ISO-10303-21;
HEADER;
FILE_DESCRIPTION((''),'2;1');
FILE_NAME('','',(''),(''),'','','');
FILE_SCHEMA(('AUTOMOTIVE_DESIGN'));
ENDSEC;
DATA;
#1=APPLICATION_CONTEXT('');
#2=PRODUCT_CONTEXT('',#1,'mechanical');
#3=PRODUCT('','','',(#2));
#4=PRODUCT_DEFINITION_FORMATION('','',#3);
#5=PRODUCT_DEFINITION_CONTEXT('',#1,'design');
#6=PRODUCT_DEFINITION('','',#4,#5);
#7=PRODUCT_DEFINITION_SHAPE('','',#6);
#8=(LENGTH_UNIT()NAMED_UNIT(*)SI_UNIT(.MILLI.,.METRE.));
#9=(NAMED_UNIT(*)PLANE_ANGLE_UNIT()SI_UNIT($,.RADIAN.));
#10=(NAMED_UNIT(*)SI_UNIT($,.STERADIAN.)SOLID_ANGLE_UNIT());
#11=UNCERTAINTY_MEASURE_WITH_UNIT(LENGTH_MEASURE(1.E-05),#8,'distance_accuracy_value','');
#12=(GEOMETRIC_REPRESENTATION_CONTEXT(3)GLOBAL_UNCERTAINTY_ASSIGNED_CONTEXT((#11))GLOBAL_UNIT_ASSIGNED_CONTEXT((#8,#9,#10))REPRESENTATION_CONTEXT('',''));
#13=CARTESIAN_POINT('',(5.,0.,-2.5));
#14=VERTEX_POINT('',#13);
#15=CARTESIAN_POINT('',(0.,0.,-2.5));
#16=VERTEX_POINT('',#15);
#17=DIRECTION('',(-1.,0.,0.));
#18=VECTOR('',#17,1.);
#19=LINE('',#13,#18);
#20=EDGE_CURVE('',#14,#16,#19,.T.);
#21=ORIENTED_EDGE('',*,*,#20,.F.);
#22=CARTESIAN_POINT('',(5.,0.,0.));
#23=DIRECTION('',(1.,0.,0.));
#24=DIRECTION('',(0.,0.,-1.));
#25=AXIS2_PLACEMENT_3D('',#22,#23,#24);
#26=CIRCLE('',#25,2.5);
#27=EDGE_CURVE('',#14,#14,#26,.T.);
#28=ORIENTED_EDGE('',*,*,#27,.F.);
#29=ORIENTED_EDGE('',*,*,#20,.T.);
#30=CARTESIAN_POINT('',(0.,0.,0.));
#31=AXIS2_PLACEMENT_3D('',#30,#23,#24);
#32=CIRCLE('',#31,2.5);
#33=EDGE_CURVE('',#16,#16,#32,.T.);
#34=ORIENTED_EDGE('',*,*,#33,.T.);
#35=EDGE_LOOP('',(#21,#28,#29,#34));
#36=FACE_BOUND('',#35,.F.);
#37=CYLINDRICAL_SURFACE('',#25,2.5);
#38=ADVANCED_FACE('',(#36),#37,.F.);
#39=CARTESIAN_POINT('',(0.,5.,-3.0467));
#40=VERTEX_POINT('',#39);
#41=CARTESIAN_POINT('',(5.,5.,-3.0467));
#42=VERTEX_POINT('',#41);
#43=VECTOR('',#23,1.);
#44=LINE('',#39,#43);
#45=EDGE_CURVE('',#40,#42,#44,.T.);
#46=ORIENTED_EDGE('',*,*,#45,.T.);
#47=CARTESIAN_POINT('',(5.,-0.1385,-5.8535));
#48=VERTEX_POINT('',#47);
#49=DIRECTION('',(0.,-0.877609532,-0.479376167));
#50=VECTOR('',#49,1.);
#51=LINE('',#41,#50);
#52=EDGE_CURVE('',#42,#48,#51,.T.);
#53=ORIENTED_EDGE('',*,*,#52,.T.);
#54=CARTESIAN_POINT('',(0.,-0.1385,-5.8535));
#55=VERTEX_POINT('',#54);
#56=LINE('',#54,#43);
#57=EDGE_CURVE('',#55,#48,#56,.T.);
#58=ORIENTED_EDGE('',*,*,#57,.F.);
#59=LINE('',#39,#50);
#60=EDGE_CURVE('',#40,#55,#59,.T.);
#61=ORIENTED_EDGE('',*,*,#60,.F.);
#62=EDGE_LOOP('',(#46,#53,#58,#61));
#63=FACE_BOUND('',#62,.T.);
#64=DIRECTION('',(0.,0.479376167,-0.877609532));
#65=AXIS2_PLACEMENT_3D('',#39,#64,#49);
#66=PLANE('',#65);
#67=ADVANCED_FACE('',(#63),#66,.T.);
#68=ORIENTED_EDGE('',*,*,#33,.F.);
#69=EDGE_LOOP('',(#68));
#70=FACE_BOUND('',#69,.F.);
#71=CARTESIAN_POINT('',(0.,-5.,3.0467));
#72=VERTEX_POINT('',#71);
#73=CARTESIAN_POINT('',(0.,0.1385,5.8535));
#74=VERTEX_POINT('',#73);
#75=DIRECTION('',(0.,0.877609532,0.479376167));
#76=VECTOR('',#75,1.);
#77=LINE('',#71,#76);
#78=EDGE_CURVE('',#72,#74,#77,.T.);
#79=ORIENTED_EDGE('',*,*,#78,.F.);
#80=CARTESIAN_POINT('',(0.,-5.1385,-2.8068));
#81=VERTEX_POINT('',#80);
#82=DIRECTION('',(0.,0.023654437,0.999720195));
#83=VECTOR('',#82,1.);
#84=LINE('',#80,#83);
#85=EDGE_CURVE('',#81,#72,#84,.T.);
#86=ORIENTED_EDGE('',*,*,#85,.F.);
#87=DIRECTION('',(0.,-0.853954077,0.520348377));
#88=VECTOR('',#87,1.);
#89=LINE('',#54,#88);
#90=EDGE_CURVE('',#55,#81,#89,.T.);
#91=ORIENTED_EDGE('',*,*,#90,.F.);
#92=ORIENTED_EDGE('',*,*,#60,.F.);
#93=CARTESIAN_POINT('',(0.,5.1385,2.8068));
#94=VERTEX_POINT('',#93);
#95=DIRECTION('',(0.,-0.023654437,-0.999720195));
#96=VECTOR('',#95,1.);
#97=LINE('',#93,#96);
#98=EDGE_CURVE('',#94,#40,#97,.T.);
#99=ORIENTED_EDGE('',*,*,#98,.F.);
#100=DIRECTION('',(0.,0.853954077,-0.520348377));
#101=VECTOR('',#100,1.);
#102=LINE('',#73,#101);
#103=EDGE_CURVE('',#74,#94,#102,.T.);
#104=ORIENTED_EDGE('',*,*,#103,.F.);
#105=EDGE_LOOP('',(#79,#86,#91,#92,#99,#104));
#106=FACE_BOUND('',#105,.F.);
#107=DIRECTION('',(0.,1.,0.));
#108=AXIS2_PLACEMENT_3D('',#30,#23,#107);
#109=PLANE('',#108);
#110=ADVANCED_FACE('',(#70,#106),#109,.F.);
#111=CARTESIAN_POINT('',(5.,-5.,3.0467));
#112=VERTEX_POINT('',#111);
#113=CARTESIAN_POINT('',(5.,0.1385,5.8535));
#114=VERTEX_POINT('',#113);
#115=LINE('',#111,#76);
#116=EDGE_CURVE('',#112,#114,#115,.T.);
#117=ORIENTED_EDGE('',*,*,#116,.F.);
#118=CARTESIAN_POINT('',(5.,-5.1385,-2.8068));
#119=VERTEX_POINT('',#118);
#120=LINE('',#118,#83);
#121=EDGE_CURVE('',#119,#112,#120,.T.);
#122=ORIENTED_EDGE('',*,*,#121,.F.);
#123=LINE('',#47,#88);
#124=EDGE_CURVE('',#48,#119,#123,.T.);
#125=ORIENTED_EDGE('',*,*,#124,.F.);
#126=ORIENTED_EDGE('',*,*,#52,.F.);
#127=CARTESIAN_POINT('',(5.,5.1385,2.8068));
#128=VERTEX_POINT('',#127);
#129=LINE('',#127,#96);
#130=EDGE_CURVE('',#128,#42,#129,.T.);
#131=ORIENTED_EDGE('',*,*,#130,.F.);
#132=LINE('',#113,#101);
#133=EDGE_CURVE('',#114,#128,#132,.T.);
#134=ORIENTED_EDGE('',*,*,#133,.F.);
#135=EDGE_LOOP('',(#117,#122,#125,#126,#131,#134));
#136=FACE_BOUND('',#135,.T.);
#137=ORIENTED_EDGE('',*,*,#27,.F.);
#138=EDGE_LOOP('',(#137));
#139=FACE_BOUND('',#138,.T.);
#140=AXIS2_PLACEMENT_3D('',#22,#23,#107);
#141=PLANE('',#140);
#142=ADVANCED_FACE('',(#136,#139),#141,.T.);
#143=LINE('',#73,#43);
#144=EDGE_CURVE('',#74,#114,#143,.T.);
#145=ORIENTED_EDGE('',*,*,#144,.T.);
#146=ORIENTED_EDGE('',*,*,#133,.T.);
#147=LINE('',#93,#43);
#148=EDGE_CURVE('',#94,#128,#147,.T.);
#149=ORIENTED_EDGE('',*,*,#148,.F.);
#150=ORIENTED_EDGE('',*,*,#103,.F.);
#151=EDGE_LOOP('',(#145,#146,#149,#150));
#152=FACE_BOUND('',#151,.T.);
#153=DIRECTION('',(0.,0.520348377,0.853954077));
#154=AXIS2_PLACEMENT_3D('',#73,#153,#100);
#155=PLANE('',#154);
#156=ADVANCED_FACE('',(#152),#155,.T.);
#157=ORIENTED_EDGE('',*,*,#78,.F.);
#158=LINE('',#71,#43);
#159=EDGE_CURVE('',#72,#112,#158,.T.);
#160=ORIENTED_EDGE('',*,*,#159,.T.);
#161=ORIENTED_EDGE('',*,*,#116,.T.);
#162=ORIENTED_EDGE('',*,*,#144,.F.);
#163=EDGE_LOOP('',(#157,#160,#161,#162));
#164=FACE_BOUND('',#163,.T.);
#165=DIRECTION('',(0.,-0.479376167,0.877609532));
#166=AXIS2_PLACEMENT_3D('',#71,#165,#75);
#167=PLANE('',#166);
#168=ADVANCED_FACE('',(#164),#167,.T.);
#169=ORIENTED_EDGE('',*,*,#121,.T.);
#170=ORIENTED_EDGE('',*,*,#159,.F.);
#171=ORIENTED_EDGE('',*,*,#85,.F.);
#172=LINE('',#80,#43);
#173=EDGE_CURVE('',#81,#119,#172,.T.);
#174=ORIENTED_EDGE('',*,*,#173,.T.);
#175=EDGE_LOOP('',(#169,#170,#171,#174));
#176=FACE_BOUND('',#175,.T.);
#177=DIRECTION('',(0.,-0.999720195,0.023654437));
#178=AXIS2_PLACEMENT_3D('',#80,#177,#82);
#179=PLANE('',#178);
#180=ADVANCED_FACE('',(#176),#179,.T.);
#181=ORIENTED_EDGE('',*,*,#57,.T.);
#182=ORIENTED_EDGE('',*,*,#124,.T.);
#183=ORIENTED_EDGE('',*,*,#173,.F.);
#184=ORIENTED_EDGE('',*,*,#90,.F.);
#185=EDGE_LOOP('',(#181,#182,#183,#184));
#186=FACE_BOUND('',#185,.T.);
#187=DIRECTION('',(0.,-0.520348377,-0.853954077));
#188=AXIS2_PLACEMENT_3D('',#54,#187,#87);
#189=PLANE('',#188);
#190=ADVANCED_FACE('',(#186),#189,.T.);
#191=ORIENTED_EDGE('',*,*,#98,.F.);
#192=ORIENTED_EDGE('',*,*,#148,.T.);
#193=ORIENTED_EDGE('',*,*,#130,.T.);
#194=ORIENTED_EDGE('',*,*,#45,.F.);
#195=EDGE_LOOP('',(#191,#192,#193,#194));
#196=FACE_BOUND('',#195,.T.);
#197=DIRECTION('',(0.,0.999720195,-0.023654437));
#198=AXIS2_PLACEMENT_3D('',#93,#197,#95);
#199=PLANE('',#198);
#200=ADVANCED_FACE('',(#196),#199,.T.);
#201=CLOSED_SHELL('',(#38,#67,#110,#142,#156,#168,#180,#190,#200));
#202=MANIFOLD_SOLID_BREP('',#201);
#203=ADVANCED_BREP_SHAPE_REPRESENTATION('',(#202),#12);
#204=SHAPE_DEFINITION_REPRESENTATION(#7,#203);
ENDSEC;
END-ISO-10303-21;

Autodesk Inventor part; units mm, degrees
ref_plane "YZ Plane" through (0, 0, 0) normal (1, 0, 0) x (0, 1, 0)
ref_plane "XZ Plane" through (0, 0, 0) normal (0, 1, 0) x (-1, 0, 0)
ref_plane "XY Plane" through (0, 0, 0) normal (0, 0, 1) x (1, 0, 0)
sketch "Sketch1" plane through (0, 0, 0) normal (1, 0, 0) x (0, 1, 0)
  line L0 (-0.1385, -5.8535) -> (-5.1385, -2.8068)
  line L1 (-5.1385, -2.8068) -> (-5, 3.0467)
  line L2 (-5, 3.0467) -> (0.1385, 5.8535)
  line L3 (0.1385, 5.8535) -> (5.1385, 2.8068)
  line L4 (5.1385, 2.8068) -> (5, -3.0467)
  line L5 (5, -3.0467) -> (-0.1385, -5.8535)
  point P0 (0, 0)
  point P1 (0, 0)
  dimension "d0" = 5
extrude "Extrusion1" add sketch "Sketch1" along normal blind 5
sketch "Sketch2" plane through (5, 0, 0) normal (1, 0, 0) x (0, 0, -1)
  circle A0 centre (0, 0) radius 2.5
  dimension "d3" = 5
extrude "Extrusion2" cut sketch "Sketch2" against normal blind 5
properties part number "nut"
